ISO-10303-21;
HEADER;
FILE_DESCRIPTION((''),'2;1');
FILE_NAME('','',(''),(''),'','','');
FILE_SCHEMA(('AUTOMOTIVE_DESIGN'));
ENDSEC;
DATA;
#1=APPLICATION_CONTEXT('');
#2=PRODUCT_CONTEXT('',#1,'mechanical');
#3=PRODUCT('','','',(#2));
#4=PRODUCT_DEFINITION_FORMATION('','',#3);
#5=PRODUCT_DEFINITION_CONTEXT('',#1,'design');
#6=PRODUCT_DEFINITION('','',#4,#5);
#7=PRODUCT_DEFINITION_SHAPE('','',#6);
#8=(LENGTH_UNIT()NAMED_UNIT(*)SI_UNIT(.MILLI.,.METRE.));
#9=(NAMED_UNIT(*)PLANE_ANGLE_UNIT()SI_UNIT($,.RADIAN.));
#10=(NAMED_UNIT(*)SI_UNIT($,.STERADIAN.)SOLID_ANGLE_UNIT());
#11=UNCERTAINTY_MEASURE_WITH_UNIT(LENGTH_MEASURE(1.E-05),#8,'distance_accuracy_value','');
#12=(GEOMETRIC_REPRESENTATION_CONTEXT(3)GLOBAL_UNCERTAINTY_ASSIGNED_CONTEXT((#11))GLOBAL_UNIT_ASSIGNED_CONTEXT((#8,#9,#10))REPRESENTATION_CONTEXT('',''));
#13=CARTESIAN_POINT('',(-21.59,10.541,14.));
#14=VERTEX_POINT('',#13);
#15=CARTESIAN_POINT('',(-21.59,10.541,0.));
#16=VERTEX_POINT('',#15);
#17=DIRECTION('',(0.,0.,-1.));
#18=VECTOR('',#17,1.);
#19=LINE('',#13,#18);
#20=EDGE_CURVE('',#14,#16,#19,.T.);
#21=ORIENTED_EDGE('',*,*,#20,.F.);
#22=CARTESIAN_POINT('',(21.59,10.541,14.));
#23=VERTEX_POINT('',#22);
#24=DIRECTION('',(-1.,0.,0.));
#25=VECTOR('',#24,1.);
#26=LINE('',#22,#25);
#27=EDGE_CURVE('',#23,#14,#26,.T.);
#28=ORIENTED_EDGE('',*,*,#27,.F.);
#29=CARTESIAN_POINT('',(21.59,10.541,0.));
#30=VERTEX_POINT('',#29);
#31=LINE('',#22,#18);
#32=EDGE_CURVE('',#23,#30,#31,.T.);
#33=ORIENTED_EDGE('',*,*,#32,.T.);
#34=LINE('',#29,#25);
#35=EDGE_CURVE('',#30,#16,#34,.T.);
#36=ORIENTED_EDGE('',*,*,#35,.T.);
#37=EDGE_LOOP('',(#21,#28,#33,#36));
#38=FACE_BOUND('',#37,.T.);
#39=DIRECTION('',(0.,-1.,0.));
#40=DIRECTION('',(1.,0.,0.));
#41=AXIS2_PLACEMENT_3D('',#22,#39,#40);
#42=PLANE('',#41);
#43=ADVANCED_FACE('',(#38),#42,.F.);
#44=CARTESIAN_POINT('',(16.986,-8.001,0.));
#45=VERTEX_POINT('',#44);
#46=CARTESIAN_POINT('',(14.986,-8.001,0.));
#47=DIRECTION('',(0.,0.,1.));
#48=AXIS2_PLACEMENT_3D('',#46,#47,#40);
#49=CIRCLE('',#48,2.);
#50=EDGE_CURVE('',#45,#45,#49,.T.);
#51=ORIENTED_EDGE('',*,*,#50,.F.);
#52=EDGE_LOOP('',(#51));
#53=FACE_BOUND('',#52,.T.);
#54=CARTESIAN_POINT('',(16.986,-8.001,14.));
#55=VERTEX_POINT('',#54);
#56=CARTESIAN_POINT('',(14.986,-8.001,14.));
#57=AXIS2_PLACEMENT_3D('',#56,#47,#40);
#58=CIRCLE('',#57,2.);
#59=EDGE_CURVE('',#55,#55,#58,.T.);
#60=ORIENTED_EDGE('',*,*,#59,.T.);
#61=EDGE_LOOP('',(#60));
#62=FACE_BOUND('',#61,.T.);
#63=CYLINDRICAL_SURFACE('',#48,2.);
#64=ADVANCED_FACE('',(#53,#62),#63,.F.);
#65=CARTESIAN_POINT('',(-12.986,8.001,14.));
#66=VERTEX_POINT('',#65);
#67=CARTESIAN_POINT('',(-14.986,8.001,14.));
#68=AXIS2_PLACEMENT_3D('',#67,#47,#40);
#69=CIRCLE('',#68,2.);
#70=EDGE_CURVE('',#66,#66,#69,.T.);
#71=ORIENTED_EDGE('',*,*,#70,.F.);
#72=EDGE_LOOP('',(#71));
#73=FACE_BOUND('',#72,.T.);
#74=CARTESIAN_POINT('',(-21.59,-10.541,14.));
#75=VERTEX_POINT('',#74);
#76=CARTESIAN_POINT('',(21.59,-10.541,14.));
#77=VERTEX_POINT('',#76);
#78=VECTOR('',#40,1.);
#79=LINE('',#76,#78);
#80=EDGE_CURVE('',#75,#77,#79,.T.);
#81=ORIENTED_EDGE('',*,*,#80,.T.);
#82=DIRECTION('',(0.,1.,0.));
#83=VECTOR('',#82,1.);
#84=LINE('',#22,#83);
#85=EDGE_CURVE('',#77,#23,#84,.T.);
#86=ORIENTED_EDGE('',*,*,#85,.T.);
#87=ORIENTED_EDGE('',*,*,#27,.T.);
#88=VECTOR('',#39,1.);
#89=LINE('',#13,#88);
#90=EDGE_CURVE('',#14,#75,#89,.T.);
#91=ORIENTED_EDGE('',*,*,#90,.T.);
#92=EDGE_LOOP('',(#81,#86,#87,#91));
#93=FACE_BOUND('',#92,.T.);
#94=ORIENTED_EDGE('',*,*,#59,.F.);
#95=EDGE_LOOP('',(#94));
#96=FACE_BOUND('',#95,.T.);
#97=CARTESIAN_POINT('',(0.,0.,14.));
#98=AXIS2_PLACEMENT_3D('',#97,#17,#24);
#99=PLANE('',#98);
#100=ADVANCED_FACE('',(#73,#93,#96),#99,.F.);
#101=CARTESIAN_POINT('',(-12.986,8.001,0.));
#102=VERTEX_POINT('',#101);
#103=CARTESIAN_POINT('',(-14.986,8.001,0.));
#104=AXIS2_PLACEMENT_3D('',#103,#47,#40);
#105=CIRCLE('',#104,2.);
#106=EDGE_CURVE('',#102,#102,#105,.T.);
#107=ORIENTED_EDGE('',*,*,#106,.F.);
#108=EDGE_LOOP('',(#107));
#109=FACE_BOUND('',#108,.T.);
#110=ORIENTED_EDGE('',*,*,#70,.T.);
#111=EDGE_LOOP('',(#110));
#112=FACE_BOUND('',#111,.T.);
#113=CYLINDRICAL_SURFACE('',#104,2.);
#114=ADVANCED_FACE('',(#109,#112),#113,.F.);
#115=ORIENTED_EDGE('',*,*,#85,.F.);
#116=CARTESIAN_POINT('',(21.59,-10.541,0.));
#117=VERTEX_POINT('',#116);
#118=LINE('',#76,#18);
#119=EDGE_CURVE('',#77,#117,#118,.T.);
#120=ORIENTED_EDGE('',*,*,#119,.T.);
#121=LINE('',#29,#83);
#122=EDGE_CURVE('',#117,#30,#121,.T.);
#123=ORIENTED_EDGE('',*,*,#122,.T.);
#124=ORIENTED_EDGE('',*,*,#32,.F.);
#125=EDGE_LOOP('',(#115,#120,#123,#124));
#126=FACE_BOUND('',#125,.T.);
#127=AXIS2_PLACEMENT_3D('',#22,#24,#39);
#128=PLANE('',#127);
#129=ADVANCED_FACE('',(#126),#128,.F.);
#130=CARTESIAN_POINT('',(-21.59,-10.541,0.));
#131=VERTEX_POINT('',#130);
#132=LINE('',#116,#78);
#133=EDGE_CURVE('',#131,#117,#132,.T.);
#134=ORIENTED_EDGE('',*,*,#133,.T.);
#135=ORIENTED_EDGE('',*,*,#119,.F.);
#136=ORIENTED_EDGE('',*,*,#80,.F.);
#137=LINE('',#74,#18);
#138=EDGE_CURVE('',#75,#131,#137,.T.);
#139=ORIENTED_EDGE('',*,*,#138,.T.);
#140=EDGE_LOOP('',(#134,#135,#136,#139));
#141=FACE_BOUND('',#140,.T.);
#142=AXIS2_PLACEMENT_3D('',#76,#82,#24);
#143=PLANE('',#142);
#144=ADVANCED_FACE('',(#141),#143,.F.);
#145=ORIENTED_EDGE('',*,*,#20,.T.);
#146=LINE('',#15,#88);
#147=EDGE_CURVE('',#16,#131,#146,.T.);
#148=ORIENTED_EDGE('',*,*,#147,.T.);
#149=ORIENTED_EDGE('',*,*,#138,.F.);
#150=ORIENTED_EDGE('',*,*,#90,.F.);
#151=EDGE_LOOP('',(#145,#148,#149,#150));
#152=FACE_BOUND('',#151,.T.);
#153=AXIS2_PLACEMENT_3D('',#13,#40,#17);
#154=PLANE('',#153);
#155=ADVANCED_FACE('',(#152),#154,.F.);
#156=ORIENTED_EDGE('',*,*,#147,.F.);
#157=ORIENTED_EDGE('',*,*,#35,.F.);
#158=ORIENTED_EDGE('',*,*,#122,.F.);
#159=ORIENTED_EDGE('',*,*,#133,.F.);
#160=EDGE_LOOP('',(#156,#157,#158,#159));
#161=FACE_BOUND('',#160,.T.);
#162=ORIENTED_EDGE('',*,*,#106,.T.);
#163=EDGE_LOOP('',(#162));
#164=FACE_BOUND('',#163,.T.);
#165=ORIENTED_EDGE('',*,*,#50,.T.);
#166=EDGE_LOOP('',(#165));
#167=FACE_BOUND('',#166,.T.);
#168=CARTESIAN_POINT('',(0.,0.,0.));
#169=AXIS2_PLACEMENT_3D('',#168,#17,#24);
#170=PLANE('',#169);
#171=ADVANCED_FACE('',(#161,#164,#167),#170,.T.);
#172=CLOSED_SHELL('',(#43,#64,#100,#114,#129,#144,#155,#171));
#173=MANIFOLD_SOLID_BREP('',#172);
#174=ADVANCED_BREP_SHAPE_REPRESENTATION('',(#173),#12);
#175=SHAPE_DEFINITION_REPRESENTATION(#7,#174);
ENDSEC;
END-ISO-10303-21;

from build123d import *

# Parameters (mm, degrees)
SKIZZE1_W                       = 43.18
SKIZZE1_H                       = 21.082
AUFSATZ_LINEAR_AUSTRAGEN1_DEPTH = 14
SKIZZE2_R                       = 2
SCHNITT_LINEAR_AUSTRAGEN1_DEPTH = 28.807207357


with BuildPart() as part:
    # Skizze1 → Aufsatz-Linear austragen1 (new body)
    with BuildSketch(Plane.XY):
        Rectangle(SKIZZE1_W, SKIZZE1_H)
    extrude(amount=AUFSATZ_LINEAR_AUSTRAGEN1_DEPTH)

    # Skizze2 → Schnitt-Linear austragen1 (cut, through all)
    with BuildSketch(Plane.XY.offset(14)):
        with Locations((-14.986, 8.001)):
            Circle(SKIZZE2_R)
        with Locations((14.986, -8.001)):
            Circle(SKIZZE2_R)
    extrude(amount=-SCHNITT_LINEAR_AUSTRAGEN1_DEPTH, mode=Mode.SUBTRACT)


solid = part.part
